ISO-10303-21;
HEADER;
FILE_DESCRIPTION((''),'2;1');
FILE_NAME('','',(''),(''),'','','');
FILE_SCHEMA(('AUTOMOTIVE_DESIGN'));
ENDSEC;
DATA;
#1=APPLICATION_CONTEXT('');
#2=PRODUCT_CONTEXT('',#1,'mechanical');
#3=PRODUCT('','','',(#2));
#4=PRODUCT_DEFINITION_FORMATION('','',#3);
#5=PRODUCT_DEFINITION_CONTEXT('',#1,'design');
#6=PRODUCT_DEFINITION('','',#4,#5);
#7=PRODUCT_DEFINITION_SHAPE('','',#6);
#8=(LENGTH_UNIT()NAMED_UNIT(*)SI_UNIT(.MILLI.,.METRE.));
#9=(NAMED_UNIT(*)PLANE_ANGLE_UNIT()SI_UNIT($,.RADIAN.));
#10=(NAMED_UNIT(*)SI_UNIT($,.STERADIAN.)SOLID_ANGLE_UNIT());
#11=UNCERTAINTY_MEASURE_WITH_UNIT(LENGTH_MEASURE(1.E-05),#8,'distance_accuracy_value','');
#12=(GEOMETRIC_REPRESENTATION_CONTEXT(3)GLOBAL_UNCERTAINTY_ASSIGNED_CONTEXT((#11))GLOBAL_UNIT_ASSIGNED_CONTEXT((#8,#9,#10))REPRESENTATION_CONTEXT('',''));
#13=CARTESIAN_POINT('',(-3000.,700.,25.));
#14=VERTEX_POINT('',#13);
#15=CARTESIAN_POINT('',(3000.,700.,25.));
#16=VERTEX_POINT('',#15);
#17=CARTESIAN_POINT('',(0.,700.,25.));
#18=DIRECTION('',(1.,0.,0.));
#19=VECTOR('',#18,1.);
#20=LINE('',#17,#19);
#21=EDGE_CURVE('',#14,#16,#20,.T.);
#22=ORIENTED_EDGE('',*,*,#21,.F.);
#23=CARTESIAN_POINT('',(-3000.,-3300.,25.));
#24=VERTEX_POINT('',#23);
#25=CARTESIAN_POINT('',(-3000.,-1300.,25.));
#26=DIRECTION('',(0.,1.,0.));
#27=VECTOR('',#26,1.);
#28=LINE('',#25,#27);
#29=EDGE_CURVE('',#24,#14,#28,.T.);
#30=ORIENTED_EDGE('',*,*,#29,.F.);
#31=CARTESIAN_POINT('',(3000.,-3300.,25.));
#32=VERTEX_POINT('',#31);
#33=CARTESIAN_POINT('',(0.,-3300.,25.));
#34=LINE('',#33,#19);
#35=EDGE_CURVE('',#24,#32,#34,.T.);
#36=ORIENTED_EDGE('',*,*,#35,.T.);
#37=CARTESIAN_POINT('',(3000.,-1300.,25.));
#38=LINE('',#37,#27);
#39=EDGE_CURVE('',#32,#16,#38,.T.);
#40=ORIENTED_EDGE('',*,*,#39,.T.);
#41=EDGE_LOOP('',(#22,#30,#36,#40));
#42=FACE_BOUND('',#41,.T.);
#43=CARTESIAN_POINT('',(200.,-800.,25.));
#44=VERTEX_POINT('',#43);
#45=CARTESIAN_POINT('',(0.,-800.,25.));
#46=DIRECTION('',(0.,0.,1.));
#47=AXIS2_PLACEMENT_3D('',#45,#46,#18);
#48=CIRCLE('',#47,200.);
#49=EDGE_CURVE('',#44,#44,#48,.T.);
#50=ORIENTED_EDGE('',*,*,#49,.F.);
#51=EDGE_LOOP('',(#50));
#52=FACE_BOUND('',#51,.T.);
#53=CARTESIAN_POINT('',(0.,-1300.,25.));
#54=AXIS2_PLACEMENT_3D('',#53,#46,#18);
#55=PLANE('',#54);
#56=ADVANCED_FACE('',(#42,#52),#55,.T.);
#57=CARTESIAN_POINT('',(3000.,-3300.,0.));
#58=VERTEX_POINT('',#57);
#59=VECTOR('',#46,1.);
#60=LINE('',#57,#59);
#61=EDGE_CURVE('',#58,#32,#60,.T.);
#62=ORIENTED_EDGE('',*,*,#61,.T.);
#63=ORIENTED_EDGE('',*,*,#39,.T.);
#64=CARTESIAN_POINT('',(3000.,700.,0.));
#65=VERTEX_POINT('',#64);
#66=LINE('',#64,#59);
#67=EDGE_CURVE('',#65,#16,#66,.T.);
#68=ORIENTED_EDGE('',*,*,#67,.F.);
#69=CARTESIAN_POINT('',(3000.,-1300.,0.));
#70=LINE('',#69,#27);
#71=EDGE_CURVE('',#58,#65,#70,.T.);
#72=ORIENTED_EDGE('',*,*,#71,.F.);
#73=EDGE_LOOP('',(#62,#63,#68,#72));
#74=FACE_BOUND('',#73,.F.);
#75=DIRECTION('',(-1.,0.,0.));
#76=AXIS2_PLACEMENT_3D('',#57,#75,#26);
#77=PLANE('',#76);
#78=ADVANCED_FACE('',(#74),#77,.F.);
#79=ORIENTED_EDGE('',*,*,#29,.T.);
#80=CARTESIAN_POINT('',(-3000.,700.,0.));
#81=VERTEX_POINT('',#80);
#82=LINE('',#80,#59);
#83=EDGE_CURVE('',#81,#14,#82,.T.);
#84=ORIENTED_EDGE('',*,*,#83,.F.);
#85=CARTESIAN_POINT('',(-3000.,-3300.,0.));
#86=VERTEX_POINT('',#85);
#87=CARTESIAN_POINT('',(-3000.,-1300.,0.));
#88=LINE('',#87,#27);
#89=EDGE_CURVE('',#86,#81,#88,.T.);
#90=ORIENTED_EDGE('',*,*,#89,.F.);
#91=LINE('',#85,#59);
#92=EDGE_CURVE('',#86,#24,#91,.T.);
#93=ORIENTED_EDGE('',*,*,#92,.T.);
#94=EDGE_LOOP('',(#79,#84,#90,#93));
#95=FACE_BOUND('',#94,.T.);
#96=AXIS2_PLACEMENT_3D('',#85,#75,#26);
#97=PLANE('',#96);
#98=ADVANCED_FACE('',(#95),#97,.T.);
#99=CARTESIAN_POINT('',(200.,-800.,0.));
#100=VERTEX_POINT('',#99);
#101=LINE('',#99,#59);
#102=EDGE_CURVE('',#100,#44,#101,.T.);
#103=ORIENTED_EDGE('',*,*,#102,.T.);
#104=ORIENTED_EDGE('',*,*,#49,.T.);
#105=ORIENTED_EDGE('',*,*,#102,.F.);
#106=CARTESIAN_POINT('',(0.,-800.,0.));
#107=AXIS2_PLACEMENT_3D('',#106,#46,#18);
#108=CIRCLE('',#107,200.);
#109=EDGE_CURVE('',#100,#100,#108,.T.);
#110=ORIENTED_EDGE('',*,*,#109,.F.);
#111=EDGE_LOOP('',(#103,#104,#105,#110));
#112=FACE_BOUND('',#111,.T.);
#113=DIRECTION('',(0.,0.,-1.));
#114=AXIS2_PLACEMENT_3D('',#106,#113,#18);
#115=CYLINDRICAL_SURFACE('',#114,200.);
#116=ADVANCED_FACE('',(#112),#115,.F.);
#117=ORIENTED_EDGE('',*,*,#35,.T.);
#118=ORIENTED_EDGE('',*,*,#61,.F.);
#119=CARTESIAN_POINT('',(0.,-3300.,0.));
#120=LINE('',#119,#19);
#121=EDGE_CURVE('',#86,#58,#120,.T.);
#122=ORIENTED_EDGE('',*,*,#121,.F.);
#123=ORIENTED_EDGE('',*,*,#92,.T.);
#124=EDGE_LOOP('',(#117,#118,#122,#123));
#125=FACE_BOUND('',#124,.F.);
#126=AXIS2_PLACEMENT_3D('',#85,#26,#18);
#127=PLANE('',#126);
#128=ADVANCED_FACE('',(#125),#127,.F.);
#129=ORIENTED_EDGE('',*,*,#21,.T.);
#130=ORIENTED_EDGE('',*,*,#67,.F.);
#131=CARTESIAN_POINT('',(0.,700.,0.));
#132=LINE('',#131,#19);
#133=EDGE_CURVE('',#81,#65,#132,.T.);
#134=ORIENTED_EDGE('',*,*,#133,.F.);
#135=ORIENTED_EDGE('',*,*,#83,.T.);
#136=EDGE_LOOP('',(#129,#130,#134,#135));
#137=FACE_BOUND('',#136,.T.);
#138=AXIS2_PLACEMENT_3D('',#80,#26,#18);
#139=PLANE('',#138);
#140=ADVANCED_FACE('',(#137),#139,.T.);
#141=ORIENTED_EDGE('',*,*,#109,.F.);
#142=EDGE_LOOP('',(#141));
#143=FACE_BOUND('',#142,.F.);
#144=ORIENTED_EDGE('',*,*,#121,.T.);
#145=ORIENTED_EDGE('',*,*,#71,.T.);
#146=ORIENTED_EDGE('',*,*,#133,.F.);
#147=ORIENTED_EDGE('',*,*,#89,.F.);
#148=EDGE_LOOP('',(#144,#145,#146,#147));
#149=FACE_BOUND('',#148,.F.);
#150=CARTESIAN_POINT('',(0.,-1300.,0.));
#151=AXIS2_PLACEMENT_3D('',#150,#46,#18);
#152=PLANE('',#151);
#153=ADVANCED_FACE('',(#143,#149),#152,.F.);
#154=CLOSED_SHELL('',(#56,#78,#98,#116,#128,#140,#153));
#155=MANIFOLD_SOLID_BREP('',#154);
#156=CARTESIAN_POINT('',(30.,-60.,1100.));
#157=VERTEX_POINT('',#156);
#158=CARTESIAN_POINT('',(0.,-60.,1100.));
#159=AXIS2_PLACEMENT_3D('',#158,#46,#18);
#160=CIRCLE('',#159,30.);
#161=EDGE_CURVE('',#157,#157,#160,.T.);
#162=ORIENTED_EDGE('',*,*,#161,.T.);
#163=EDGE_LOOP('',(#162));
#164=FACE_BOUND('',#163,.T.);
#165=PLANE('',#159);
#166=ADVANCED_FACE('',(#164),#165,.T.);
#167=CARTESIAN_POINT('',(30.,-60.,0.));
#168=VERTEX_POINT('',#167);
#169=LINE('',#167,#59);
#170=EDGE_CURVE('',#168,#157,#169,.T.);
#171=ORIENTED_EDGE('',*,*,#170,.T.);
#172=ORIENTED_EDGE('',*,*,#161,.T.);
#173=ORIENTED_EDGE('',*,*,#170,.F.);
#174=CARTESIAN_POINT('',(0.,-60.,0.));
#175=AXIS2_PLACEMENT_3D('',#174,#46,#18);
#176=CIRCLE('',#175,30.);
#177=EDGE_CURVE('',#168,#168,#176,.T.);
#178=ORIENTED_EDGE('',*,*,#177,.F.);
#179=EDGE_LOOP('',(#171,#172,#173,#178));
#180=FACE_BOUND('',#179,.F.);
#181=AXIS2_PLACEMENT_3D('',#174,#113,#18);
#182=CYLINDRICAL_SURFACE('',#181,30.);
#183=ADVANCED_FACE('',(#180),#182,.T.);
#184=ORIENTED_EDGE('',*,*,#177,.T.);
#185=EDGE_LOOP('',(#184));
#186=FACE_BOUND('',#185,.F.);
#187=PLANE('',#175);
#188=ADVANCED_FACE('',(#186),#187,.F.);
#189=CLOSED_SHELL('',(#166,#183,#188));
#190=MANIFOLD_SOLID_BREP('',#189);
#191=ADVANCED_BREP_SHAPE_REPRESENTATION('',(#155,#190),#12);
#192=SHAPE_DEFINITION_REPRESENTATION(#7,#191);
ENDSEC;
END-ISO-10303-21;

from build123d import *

# Parameters (mm, degrees)
F0_W     = 6000
F0_H     = 4000
F0_R     = 200
F1_DEPTH = 25
F2_R     = 30
F3_DEPTH = 1100


with BuildPart() as f1:
    # F0 (on Top) → F1 (new body)
    with BuildSketch(Plane.XY):
        with Locations((0, -1300)):
            Rectangle(F0_W, F0_H)
        with Locations((0, -800)):
            Circle(F0_R, mode=Mode.SUBTRACT)
    extrude(amount=F1_DEPTH)


with BuildPart() as f3:
    # F2 (on face) → F3 (new body)
    with BuildSketch(Plane.XY):
        with Locations((0, -60)):
            Circle(F2_R)
    extrude(amount=F3_DEPTH)


solid = Compound([f1.part, f3.part])
